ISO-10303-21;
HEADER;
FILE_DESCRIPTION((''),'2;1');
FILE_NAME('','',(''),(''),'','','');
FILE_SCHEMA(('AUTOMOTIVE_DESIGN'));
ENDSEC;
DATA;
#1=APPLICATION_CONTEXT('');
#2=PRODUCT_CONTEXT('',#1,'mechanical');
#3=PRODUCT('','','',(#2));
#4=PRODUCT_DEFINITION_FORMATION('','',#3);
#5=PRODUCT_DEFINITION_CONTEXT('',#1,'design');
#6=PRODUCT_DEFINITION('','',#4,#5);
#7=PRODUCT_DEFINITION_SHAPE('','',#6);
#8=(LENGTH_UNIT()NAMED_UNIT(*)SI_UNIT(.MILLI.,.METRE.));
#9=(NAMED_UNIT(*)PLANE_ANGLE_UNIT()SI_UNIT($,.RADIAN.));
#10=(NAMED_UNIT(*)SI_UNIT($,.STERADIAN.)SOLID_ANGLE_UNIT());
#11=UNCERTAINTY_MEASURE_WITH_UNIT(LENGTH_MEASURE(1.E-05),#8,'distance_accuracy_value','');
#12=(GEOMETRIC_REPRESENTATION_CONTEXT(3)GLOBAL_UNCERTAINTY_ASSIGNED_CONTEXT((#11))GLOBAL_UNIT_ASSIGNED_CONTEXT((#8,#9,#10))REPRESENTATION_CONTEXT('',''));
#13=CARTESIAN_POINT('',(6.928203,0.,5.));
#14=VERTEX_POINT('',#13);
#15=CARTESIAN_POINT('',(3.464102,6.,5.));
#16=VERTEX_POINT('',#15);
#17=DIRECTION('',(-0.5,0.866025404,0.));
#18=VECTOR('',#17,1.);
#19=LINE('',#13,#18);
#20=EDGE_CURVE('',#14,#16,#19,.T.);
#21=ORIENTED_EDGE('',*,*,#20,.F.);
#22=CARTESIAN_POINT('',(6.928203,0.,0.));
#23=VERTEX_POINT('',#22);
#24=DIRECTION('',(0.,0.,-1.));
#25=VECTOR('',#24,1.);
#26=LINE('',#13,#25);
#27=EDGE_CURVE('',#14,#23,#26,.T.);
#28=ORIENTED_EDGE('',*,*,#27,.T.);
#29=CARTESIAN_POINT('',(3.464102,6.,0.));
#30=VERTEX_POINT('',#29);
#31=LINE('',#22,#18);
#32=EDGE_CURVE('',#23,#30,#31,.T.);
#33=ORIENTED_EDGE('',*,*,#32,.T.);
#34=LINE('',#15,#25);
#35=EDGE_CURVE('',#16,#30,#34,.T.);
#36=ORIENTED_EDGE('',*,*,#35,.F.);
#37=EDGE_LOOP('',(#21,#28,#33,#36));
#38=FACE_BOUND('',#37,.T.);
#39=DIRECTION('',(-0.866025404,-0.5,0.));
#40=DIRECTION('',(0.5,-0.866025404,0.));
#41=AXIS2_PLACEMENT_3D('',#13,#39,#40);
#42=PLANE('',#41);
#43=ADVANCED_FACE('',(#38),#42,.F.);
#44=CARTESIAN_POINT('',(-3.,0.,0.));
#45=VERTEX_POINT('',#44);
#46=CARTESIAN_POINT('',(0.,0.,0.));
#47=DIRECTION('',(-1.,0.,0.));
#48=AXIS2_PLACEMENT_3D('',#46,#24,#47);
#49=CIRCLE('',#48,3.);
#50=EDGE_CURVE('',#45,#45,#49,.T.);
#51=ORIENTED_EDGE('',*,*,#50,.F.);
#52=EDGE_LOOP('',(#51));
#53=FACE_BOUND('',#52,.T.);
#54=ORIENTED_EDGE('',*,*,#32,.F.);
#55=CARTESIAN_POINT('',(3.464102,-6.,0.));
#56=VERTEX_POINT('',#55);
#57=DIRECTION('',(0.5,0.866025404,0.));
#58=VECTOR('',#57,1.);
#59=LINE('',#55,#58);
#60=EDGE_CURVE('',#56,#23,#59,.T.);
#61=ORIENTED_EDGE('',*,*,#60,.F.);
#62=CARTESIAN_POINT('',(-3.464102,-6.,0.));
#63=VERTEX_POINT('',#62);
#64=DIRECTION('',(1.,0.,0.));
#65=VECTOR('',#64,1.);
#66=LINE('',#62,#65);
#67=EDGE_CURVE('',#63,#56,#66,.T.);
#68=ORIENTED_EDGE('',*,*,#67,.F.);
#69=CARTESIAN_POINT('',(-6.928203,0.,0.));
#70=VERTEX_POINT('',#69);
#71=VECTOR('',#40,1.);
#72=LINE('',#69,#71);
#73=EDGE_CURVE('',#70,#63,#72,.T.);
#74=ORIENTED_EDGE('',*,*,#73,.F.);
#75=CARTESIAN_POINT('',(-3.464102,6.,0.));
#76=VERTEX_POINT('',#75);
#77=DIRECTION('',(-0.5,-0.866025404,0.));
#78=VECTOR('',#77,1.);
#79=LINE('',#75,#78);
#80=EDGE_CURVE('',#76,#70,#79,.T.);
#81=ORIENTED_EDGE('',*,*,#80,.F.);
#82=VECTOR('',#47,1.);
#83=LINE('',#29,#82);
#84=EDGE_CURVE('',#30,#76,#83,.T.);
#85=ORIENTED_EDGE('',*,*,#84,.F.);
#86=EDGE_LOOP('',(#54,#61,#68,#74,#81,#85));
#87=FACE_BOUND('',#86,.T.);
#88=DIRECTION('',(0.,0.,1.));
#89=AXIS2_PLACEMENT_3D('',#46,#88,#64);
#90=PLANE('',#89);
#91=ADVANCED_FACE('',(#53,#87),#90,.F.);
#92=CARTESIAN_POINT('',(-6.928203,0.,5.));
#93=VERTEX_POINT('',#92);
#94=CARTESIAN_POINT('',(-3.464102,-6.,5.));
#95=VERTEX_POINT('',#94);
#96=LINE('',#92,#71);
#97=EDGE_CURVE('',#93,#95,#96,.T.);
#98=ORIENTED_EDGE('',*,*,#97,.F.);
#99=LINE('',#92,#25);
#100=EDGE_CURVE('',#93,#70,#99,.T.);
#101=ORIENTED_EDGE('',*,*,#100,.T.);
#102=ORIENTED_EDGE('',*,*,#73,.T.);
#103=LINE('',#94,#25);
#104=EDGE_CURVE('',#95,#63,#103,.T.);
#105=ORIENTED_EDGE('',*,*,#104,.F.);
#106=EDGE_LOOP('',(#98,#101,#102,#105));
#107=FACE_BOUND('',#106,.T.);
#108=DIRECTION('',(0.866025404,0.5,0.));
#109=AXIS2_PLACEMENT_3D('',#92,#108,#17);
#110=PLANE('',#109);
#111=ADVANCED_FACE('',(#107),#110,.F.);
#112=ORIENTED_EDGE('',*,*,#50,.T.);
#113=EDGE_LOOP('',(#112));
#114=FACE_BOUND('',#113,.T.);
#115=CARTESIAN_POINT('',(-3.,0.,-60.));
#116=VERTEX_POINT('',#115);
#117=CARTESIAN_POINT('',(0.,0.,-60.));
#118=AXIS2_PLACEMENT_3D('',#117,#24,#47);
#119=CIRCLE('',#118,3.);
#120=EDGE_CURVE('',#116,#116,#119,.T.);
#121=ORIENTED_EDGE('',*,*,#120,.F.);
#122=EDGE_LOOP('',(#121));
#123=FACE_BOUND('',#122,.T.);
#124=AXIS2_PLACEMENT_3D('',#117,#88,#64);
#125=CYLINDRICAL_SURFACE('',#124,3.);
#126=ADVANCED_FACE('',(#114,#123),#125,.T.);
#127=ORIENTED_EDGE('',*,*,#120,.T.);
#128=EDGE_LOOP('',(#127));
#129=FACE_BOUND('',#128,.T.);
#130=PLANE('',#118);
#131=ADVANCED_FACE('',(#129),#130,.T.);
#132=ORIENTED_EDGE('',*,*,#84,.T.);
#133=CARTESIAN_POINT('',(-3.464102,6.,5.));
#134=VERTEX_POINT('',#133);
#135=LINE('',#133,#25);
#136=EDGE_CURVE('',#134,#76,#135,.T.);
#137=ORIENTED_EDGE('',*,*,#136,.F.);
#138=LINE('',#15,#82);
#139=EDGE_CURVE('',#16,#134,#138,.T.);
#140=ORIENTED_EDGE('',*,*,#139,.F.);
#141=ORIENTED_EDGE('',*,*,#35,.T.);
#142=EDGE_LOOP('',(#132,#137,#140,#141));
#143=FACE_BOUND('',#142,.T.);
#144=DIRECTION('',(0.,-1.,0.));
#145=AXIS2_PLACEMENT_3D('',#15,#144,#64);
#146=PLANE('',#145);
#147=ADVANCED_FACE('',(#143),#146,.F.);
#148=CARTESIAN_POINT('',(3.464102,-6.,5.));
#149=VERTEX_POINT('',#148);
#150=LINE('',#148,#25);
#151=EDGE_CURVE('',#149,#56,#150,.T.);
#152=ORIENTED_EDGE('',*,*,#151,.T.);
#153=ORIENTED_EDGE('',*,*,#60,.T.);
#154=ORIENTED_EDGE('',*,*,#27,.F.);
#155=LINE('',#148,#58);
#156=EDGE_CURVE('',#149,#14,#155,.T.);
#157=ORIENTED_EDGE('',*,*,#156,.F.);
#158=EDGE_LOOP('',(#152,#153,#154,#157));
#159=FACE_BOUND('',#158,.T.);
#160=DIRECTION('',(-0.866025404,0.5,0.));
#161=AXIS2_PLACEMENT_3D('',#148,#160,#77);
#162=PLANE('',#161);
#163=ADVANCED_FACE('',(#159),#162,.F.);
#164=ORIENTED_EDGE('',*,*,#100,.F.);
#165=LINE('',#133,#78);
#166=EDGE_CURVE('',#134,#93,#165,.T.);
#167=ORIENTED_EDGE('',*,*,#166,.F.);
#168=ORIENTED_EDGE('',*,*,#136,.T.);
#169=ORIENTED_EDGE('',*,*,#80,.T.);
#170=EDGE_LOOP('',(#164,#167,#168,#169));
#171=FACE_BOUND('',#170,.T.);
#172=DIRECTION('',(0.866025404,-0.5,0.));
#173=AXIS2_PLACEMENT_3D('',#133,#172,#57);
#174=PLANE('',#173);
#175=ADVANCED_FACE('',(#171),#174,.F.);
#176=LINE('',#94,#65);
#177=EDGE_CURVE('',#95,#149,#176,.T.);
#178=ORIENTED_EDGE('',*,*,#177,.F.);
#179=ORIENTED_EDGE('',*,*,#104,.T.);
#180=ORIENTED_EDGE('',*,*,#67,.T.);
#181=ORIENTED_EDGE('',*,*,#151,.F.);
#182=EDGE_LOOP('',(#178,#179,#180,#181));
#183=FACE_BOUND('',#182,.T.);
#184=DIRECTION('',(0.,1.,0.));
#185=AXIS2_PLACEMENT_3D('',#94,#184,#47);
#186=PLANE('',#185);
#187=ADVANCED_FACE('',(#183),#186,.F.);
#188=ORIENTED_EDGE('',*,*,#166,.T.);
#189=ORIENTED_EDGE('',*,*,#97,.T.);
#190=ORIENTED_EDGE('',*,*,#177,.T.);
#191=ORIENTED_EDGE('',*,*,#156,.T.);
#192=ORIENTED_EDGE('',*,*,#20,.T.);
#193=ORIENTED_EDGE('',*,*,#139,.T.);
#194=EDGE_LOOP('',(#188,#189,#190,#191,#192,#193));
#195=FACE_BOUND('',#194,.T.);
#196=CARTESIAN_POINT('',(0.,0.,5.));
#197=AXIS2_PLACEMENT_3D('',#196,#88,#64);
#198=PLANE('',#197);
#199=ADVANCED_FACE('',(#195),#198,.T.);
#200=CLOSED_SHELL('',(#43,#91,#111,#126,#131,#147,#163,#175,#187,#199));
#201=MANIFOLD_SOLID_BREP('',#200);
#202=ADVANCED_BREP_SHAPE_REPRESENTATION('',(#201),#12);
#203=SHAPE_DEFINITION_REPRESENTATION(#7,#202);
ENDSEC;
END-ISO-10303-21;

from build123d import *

# Parameters (mm, degrees)
BOSS_EXTRUDE1_DEPTH = 5
SKETCH2_R           = 3
BOSS_EXTRUDE2_DEPTH = 60


with BuildPart() as part:
    # Sketch1 → Boss-Extrude1 (new body)
    with BuildSketch(Plane.XY):
        Polygon((3.464101615, 6), (-3.464101615, 6), (-6.92820323, 0), (-3.464101615, -6), (3.464101615, -6), (6.92820323, 0), align=None)
    extrude(amount=BOSS_EXTRUDE1_DEPTH)

    # Sketch2 → Boss-Extrude2 (add)
    with BuildSketch(Plane(origin=(0, 0, 0), x_dir=(-1, 0, 0), z_dir=(0, 0, -1))):
        Circle(SKETCH2_R)
    extrude(amount=BOSS_EXTRUDE2_DEPTH)


solid = part.part
